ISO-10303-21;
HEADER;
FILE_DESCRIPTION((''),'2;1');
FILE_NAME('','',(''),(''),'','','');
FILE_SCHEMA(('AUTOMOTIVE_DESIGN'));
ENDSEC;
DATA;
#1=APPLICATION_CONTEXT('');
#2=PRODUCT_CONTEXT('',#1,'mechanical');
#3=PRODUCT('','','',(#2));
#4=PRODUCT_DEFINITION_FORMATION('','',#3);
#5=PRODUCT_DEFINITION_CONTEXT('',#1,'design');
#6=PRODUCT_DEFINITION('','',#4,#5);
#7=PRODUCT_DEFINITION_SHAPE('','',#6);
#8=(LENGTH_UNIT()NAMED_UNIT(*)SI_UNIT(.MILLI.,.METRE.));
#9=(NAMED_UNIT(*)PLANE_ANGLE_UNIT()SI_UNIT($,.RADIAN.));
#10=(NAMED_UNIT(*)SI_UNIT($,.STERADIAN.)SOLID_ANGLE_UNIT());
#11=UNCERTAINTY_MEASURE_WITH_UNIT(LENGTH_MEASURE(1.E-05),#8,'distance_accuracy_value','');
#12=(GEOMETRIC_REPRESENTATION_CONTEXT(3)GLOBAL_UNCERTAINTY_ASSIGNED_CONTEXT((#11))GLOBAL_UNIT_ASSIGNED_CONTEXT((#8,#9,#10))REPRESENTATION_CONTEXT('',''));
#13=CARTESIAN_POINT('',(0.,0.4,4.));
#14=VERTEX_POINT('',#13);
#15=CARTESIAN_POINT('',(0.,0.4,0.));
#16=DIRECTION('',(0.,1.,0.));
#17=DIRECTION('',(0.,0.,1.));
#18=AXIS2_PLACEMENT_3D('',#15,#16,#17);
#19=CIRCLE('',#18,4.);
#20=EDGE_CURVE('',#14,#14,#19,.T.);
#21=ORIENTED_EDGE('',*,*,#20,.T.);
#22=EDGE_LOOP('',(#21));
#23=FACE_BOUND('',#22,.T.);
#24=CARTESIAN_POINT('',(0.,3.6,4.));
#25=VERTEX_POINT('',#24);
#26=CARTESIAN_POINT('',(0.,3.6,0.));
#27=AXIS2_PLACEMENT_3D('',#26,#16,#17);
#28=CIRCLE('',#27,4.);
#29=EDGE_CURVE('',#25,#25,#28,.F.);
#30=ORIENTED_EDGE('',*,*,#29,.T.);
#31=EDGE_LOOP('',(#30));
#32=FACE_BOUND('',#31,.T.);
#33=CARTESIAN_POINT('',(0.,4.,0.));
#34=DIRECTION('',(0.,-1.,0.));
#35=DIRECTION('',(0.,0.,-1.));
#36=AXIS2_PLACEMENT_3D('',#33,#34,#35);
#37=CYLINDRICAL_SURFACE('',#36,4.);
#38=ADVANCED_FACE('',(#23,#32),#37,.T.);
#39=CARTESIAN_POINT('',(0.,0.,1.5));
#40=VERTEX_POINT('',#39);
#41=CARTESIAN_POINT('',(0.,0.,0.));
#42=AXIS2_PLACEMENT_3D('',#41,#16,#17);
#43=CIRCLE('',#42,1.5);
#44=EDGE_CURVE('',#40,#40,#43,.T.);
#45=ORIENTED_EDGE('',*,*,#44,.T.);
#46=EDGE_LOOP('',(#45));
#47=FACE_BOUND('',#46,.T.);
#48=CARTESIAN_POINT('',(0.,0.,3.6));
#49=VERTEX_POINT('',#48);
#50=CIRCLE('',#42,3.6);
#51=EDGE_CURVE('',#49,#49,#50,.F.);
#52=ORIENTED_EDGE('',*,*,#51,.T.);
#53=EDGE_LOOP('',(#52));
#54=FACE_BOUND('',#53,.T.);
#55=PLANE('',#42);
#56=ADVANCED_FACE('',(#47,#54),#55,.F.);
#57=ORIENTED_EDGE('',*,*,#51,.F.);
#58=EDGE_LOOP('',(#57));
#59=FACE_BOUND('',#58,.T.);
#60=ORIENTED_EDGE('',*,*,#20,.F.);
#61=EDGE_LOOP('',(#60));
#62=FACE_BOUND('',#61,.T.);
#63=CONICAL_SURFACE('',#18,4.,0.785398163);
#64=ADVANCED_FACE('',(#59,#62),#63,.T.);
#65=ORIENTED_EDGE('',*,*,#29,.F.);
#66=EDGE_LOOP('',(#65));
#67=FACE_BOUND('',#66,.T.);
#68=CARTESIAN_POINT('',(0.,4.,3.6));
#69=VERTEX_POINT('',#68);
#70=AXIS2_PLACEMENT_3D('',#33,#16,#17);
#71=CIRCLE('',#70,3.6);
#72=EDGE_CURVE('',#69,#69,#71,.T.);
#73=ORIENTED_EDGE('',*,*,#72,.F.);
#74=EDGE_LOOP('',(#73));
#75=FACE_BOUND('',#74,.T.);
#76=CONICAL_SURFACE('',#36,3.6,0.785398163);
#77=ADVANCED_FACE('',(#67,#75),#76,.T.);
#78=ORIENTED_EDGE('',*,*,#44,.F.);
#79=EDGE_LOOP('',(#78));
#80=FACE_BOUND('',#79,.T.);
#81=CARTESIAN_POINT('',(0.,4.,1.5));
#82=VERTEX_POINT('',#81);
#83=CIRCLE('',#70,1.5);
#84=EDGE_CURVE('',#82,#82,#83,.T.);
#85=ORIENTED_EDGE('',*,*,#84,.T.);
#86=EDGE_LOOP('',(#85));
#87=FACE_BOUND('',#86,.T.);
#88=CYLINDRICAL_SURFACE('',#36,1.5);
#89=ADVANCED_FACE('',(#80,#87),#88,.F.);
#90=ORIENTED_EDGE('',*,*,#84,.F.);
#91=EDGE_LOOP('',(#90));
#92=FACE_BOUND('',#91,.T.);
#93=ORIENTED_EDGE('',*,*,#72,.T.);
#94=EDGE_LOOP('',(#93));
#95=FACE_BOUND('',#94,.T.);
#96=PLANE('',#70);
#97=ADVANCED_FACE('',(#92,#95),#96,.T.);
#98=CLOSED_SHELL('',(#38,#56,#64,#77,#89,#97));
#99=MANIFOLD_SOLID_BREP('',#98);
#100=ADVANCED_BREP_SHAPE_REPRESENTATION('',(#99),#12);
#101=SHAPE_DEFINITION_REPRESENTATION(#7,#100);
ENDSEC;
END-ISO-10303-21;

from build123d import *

# Parameters (mm, degrees)
SKETCH_1_R      = 4
SKETCH_1_R_2    = 1.5
EXTRUDE_1_DEPTH = 4
CHAMFER_1_SIZE  = 0.4


with BuildPart() as part:
    # 草图1 → 凸台-拉伸1 (new body)
    with BuildSketch(Plane(origin=(0, 0, 0), x_dir=(1, 0, 0), z_dir=(0, 1, 0))):
        with Locations(Location((0, 0, 0), (0, 0, 270))):
            Circle(SKETCH_1_R)
        with Locations(Location((0, 0, 0), (0, 0, 270))):
            Circle(SKETCH_1_R_2, mode=Mode.SUBTRACT)
    extrude(amount=EXTRUDE_1_DEPTH)

    # 倒角1
    chamfer_1_edges = [part.edges().sort_by_distance(p)[0] for p in [
        (0, 0, -4),
        (0, 4, -4),
    ]]
    chamfer(chamfer_1_edges, length=CHAMFER_1_SIZE)


solid = part.part
